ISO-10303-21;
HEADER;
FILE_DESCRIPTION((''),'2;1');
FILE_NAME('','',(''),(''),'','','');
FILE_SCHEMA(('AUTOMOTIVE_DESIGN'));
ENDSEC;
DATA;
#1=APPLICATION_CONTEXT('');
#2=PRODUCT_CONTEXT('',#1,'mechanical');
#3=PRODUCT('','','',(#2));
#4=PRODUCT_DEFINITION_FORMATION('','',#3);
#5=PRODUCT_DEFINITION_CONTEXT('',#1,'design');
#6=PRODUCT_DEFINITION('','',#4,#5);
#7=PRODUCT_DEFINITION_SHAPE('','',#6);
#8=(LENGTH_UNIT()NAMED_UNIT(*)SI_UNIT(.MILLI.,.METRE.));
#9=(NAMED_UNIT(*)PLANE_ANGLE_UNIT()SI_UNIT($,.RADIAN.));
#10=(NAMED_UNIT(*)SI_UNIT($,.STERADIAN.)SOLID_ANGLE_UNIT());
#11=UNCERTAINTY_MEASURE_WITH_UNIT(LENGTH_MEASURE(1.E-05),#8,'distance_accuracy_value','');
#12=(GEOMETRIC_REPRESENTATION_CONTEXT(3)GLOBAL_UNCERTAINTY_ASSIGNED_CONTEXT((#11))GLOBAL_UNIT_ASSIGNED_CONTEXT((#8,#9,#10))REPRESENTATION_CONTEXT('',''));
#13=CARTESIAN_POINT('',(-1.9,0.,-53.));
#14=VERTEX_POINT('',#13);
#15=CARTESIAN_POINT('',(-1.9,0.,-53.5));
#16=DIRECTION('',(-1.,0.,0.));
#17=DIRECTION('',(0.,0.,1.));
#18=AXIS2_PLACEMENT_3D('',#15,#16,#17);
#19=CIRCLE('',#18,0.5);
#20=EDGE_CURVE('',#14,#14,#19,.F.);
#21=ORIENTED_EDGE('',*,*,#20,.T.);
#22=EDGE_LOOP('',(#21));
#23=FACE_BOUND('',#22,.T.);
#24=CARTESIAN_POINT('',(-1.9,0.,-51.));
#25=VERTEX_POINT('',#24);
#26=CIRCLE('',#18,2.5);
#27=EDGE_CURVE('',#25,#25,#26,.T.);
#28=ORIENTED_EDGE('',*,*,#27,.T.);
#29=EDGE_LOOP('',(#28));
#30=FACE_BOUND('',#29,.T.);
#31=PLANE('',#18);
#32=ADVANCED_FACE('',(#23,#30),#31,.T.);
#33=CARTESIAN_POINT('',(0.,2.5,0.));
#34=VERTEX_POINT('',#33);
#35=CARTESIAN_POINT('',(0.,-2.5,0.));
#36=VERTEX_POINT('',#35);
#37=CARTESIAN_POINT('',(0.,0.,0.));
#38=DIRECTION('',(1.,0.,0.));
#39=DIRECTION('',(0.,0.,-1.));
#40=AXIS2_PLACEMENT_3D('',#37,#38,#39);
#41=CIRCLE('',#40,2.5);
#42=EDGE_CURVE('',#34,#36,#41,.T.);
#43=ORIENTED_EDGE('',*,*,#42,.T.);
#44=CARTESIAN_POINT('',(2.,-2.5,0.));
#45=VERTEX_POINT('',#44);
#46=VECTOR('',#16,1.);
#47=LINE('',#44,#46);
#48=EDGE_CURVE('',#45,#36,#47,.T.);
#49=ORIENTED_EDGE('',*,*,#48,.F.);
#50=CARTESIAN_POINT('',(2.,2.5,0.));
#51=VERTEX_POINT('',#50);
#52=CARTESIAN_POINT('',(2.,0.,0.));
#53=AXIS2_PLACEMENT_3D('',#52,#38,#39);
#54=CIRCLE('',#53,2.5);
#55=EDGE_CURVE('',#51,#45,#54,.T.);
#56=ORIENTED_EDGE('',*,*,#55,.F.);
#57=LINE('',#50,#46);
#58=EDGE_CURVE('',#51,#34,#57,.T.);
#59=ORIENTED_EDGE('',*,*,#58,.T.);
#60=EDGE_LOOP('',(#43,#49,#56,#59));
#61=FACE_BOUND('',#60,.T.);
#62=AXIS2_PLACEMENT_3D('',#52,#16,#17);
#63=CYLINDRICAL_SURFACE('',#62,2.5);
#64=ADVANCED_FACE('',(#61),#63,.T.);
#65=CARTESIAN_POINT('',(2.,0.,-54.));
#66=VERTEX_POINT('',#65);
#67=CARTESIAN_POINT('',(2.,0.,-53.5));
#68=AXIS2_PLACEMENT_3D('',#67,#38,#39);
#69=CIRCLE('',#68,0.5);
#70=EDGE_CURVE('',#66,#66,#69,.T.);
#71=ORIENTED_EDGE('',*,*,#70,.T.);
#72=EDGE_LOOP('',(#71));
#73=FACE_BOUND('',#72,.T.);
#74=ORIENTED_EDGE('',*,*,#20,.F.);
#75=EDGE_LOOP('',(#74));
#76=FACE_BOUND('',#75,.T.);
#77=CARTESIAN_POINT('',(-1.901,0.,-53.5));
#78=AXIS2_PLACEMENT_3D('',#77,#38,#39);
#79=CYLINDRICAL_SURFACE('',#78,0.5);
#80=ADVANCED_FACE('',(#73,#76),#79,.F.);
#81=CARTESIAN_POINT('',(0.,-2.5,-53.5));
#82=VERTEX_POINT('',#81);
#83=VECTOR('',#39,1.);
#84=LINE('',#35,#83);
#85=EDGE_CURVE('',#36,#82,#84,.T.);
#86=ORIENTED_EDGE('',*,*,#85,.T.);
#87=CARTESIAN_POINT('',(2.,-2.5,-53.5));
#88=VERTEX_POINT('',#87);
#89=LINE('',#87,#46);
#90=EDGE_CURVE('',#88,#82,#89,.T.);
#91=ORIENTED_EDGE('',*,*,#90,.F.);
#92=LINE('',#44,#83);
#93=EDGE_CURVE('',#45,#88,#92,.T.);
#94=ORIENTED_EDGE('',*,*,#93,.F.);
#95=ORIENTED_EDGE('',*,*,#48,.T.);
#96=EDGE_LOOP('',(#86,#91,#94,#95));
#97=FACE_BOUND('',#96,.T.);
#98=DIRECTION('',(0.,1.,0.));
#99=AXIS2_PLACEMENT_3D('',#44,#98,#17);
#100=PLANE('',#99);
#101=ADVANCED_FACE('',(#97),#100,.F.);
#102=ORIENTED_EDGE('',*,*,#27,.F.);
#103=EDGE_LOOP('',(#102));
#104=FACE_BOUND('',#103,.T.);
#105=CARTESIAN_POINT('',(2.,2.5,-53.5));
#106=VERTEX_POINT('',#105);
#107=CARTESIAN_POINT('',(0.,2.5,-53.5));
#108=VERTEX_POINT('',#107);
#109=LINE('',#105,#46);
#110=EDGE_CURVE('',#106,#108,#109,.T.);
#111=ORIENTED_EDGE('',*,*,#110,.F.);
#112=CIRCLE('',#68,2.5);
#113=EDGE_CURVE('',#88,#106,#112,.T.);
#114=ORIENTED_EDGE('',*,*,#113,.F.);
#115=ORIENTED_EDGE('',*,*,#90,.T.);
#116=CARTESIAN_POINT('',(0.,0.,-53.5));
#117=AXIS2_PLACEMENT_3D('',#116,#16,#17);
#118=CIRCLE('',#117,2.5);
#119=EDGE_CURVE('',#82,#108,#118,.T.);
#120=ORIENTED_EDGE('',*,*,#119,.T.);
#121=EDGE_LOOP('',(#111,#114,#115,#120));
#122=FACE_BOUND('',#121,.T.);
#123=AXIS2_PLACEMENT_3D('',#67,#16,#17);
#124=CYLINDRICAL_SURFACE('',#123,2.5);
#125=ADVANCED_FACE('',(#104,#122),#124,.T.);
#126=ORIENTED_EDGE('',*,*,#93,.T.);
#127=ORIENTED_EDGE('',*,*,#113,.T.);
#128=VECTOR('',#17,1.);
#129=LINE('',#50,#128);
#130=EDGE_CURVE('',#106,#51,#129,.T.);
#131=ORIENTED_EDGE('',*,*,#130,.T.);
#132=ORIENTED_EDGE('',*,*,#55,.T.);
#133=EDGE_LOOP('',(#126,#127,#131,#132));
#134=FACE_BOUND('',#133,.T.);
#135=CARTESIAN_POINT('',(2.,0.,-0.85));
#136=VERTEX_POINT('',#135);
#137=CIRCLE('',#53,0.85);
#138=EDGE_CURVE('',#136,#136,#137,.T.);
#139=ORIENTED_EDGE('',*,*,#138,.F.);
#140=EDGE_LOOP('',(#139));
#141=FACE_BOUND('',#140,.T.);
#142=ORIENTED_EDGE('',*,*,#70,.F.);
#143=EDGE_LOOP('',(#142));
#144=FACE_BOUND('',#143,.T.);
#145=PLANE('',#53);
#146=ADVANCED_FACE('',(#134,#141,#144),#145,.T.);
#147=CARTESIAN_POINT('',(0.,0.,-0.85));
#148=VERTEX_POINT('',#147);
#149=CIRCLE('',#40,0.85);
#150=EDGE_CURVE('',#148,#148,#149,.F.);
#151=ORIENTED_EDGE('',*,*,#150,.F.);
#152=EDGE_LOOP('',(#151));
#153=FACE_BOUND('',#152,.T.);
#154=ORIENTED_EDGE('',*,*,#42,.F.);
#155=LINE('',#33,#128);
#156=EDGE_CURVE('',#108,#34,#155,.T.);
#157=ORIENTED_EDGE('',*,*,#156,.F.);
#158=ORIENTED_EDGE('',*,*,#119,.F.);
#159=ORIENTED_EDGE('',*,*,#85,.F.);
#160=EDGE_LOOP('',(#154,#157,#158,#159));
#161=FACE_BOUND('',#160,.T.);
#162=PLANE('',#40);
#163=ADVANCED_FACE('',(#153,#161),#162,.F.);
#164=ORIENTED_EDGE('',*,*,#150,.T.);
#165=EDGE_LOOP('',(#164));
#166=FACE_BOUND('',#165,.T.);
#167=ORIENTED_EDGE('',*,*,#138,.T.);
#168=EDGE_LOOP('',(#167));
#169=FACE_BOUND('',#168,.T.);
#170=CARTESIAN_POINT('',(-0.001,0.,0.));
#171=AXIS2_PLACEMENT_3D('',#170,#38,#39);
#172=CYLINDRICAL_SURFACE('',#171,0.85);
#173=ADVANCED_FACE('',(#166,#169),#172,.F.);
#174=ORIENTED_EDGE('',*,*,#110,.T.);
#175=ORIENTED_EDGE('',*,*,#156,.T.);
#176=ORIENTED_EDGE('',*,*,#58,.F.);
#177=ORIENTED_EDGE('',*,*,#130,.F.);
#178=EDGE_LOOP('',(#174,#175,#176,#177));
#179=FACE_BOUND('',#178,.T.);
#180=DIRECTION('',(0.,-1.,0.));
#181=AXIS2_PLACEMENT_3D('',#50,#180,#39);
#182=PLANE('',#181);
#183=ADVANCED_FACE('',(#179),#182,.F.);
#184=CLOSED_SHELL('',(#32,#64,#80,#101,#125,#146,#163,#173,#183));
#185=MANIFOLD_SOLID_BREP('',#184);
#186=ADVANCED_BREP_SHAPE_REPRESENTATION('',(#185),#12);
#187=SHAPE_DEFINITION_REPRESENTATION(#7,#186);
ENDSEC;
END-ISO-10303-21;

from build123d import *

# Parameters (mm, degrees)
RESSALTO_EXTRUS_O1_DEPTH = 2
CORTE_EXTRUS_O1_REACH    = 58.091
ESBO_O2_R                = 0.85
RESSALTO_EXTRUS_O2_START = 1.9
ESBO_O4_R                = 2.5
RESSALTO_EXTRUS_O2_DEPTH = 1.9
CORTE_EXTRUS_O2_REACH    = 58.191
ESBO_O3_R                = 0.5


with BuildPart() as part:
    # Esboço1 → Ressalto-extrusão1 (new body)
    with BuildSketch(Plane(origin=(0, 0, 0), x_dir=(0, 0, -1), z_dir=(1, 0, 0))):
        with BuildLine():
            Line((0, 2.5), (53.5, 2.5))
            ThreePointArc((53.5, 2.5), (56, 0), (53.5, -2.5))
            Line((53.5, -2.5), (0, -2.5))
            ThreePointArc((0, -2.5), (-2.5, 0), (0, 2.5))
        make_face()
    extrude(amount=RESSALTO_EXTRUS_O1_DEPTH)

    # Esboço2 → Corte-extrusão1 (cut, up to next)
    with BuildSketch(Plane(origin=(2, 0, 0), x_dir=(0, 0, -1), z_dir=(1, 0, 0)), mode=Mode.PRIVATE) as corte_extrus_o1_sk1:
        Circle(ESBO_O2_R)
    corte_extrus_o1_tool1 = extrude(corte_extrus_o1_sk1.sketch, amount=-CORTE_EXTRUS_O1_REACH, mode=Mode.PRIVATE) & part.part
    add(corte_extrus_o1_tool1.solids().sort_by_distance((2, 0, 0))[0], mode=Mode.SUBTRACT)

    # Esboço4 → Ressalto-extrusão2 (add)
    with BuildSketch(Plane.ZY.offset(RESSALTO_EXTRUS_O2_START)):
        with Locations((-53.5, 0)):
            Circle(ESBO_O4_R)
    extrude(amount=-RESSALTO_EXTRUS_O2_DEPTH)

    # Esboço3 → Corte-extrusão2 (cut, up to next)
    with BuildSketch(Plane(origin=(2, 0, 0), x_dir=(0, 0, -1), z_dir=(1, 0, 0)), mode=Mode.PRIVATE) as corte_extrus_o2_sk1:
        with Locations((53.5, 0)):
            Circle(ESBO_O3_R)
    corte_extrus_o2_tool1 = extrude(corte_extrus_o2_sk1.sketch, amount=-CORTE_EXTRUS_O2_REACH, mode=Mode.PRIVATE) & part.part
    add(corte_extrus_o2_tool1.solids().sort_by_distance((2, 0, -53.5))[0], mode=Mode.SUBTRACT)


solid = part.part
